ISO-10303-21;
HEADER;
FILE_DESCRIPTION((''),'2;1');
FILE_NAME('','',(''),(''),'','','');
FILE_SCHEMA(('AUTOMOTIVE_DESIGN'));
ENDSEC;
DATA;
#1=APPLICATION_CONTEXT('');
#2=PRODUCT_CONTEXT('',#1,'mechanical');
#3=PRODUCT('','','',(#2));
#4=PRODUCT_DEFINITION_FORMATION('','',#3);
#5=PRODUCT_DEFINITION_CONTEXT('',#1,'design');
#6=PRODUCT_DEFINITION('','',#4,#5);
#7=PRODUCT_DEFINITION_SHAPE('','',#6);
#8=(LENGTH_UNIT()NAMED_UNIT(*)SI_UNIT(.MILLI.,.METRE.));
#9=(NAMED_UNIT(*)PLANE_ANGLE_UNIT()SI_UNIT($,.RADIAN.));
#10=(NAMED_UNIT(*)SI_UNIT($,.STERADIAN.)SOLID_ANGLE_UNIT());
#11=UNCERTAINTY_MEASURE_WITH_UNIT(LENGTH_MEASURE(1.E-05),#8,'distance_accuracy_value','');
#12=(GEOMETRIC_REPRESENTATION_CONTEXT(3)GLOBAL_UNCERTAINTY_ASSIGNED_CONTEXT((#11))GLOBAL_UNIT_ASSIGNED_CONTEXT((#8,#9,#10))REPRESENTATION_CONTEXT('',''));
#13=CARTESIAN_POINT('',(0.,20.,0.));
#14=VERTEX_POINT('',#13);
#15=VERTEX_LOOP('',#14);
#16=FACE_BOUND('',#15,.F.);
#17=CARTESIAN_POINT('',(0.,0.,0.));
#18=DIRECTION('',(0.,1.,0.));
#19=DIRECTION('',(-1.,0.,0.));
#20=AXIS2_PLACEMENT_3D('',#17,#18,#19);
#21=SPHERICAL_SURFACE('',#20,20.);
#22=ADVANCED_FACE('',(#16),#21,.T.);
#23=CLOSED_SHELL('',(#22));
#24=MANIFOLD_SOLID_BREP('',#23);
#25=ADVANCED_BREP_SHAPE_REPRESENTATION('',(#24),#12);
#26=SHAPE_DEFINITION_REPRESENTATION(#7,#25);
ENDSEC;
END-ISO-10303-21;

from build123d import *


with BuildPart() as part:
    # Esquisse1 → Révolution1 (revolve)
    with BuildSketch(Plane.XY):
        with BuildLine():
            Line((0, 20), (0, -20))
            ThreePointArc((0, -20), (-20, 0), (0, 20))
        make_face()
    revolve(axis=Axis((0, 20, 0), (0, -1, 0)))


solid = part.part
